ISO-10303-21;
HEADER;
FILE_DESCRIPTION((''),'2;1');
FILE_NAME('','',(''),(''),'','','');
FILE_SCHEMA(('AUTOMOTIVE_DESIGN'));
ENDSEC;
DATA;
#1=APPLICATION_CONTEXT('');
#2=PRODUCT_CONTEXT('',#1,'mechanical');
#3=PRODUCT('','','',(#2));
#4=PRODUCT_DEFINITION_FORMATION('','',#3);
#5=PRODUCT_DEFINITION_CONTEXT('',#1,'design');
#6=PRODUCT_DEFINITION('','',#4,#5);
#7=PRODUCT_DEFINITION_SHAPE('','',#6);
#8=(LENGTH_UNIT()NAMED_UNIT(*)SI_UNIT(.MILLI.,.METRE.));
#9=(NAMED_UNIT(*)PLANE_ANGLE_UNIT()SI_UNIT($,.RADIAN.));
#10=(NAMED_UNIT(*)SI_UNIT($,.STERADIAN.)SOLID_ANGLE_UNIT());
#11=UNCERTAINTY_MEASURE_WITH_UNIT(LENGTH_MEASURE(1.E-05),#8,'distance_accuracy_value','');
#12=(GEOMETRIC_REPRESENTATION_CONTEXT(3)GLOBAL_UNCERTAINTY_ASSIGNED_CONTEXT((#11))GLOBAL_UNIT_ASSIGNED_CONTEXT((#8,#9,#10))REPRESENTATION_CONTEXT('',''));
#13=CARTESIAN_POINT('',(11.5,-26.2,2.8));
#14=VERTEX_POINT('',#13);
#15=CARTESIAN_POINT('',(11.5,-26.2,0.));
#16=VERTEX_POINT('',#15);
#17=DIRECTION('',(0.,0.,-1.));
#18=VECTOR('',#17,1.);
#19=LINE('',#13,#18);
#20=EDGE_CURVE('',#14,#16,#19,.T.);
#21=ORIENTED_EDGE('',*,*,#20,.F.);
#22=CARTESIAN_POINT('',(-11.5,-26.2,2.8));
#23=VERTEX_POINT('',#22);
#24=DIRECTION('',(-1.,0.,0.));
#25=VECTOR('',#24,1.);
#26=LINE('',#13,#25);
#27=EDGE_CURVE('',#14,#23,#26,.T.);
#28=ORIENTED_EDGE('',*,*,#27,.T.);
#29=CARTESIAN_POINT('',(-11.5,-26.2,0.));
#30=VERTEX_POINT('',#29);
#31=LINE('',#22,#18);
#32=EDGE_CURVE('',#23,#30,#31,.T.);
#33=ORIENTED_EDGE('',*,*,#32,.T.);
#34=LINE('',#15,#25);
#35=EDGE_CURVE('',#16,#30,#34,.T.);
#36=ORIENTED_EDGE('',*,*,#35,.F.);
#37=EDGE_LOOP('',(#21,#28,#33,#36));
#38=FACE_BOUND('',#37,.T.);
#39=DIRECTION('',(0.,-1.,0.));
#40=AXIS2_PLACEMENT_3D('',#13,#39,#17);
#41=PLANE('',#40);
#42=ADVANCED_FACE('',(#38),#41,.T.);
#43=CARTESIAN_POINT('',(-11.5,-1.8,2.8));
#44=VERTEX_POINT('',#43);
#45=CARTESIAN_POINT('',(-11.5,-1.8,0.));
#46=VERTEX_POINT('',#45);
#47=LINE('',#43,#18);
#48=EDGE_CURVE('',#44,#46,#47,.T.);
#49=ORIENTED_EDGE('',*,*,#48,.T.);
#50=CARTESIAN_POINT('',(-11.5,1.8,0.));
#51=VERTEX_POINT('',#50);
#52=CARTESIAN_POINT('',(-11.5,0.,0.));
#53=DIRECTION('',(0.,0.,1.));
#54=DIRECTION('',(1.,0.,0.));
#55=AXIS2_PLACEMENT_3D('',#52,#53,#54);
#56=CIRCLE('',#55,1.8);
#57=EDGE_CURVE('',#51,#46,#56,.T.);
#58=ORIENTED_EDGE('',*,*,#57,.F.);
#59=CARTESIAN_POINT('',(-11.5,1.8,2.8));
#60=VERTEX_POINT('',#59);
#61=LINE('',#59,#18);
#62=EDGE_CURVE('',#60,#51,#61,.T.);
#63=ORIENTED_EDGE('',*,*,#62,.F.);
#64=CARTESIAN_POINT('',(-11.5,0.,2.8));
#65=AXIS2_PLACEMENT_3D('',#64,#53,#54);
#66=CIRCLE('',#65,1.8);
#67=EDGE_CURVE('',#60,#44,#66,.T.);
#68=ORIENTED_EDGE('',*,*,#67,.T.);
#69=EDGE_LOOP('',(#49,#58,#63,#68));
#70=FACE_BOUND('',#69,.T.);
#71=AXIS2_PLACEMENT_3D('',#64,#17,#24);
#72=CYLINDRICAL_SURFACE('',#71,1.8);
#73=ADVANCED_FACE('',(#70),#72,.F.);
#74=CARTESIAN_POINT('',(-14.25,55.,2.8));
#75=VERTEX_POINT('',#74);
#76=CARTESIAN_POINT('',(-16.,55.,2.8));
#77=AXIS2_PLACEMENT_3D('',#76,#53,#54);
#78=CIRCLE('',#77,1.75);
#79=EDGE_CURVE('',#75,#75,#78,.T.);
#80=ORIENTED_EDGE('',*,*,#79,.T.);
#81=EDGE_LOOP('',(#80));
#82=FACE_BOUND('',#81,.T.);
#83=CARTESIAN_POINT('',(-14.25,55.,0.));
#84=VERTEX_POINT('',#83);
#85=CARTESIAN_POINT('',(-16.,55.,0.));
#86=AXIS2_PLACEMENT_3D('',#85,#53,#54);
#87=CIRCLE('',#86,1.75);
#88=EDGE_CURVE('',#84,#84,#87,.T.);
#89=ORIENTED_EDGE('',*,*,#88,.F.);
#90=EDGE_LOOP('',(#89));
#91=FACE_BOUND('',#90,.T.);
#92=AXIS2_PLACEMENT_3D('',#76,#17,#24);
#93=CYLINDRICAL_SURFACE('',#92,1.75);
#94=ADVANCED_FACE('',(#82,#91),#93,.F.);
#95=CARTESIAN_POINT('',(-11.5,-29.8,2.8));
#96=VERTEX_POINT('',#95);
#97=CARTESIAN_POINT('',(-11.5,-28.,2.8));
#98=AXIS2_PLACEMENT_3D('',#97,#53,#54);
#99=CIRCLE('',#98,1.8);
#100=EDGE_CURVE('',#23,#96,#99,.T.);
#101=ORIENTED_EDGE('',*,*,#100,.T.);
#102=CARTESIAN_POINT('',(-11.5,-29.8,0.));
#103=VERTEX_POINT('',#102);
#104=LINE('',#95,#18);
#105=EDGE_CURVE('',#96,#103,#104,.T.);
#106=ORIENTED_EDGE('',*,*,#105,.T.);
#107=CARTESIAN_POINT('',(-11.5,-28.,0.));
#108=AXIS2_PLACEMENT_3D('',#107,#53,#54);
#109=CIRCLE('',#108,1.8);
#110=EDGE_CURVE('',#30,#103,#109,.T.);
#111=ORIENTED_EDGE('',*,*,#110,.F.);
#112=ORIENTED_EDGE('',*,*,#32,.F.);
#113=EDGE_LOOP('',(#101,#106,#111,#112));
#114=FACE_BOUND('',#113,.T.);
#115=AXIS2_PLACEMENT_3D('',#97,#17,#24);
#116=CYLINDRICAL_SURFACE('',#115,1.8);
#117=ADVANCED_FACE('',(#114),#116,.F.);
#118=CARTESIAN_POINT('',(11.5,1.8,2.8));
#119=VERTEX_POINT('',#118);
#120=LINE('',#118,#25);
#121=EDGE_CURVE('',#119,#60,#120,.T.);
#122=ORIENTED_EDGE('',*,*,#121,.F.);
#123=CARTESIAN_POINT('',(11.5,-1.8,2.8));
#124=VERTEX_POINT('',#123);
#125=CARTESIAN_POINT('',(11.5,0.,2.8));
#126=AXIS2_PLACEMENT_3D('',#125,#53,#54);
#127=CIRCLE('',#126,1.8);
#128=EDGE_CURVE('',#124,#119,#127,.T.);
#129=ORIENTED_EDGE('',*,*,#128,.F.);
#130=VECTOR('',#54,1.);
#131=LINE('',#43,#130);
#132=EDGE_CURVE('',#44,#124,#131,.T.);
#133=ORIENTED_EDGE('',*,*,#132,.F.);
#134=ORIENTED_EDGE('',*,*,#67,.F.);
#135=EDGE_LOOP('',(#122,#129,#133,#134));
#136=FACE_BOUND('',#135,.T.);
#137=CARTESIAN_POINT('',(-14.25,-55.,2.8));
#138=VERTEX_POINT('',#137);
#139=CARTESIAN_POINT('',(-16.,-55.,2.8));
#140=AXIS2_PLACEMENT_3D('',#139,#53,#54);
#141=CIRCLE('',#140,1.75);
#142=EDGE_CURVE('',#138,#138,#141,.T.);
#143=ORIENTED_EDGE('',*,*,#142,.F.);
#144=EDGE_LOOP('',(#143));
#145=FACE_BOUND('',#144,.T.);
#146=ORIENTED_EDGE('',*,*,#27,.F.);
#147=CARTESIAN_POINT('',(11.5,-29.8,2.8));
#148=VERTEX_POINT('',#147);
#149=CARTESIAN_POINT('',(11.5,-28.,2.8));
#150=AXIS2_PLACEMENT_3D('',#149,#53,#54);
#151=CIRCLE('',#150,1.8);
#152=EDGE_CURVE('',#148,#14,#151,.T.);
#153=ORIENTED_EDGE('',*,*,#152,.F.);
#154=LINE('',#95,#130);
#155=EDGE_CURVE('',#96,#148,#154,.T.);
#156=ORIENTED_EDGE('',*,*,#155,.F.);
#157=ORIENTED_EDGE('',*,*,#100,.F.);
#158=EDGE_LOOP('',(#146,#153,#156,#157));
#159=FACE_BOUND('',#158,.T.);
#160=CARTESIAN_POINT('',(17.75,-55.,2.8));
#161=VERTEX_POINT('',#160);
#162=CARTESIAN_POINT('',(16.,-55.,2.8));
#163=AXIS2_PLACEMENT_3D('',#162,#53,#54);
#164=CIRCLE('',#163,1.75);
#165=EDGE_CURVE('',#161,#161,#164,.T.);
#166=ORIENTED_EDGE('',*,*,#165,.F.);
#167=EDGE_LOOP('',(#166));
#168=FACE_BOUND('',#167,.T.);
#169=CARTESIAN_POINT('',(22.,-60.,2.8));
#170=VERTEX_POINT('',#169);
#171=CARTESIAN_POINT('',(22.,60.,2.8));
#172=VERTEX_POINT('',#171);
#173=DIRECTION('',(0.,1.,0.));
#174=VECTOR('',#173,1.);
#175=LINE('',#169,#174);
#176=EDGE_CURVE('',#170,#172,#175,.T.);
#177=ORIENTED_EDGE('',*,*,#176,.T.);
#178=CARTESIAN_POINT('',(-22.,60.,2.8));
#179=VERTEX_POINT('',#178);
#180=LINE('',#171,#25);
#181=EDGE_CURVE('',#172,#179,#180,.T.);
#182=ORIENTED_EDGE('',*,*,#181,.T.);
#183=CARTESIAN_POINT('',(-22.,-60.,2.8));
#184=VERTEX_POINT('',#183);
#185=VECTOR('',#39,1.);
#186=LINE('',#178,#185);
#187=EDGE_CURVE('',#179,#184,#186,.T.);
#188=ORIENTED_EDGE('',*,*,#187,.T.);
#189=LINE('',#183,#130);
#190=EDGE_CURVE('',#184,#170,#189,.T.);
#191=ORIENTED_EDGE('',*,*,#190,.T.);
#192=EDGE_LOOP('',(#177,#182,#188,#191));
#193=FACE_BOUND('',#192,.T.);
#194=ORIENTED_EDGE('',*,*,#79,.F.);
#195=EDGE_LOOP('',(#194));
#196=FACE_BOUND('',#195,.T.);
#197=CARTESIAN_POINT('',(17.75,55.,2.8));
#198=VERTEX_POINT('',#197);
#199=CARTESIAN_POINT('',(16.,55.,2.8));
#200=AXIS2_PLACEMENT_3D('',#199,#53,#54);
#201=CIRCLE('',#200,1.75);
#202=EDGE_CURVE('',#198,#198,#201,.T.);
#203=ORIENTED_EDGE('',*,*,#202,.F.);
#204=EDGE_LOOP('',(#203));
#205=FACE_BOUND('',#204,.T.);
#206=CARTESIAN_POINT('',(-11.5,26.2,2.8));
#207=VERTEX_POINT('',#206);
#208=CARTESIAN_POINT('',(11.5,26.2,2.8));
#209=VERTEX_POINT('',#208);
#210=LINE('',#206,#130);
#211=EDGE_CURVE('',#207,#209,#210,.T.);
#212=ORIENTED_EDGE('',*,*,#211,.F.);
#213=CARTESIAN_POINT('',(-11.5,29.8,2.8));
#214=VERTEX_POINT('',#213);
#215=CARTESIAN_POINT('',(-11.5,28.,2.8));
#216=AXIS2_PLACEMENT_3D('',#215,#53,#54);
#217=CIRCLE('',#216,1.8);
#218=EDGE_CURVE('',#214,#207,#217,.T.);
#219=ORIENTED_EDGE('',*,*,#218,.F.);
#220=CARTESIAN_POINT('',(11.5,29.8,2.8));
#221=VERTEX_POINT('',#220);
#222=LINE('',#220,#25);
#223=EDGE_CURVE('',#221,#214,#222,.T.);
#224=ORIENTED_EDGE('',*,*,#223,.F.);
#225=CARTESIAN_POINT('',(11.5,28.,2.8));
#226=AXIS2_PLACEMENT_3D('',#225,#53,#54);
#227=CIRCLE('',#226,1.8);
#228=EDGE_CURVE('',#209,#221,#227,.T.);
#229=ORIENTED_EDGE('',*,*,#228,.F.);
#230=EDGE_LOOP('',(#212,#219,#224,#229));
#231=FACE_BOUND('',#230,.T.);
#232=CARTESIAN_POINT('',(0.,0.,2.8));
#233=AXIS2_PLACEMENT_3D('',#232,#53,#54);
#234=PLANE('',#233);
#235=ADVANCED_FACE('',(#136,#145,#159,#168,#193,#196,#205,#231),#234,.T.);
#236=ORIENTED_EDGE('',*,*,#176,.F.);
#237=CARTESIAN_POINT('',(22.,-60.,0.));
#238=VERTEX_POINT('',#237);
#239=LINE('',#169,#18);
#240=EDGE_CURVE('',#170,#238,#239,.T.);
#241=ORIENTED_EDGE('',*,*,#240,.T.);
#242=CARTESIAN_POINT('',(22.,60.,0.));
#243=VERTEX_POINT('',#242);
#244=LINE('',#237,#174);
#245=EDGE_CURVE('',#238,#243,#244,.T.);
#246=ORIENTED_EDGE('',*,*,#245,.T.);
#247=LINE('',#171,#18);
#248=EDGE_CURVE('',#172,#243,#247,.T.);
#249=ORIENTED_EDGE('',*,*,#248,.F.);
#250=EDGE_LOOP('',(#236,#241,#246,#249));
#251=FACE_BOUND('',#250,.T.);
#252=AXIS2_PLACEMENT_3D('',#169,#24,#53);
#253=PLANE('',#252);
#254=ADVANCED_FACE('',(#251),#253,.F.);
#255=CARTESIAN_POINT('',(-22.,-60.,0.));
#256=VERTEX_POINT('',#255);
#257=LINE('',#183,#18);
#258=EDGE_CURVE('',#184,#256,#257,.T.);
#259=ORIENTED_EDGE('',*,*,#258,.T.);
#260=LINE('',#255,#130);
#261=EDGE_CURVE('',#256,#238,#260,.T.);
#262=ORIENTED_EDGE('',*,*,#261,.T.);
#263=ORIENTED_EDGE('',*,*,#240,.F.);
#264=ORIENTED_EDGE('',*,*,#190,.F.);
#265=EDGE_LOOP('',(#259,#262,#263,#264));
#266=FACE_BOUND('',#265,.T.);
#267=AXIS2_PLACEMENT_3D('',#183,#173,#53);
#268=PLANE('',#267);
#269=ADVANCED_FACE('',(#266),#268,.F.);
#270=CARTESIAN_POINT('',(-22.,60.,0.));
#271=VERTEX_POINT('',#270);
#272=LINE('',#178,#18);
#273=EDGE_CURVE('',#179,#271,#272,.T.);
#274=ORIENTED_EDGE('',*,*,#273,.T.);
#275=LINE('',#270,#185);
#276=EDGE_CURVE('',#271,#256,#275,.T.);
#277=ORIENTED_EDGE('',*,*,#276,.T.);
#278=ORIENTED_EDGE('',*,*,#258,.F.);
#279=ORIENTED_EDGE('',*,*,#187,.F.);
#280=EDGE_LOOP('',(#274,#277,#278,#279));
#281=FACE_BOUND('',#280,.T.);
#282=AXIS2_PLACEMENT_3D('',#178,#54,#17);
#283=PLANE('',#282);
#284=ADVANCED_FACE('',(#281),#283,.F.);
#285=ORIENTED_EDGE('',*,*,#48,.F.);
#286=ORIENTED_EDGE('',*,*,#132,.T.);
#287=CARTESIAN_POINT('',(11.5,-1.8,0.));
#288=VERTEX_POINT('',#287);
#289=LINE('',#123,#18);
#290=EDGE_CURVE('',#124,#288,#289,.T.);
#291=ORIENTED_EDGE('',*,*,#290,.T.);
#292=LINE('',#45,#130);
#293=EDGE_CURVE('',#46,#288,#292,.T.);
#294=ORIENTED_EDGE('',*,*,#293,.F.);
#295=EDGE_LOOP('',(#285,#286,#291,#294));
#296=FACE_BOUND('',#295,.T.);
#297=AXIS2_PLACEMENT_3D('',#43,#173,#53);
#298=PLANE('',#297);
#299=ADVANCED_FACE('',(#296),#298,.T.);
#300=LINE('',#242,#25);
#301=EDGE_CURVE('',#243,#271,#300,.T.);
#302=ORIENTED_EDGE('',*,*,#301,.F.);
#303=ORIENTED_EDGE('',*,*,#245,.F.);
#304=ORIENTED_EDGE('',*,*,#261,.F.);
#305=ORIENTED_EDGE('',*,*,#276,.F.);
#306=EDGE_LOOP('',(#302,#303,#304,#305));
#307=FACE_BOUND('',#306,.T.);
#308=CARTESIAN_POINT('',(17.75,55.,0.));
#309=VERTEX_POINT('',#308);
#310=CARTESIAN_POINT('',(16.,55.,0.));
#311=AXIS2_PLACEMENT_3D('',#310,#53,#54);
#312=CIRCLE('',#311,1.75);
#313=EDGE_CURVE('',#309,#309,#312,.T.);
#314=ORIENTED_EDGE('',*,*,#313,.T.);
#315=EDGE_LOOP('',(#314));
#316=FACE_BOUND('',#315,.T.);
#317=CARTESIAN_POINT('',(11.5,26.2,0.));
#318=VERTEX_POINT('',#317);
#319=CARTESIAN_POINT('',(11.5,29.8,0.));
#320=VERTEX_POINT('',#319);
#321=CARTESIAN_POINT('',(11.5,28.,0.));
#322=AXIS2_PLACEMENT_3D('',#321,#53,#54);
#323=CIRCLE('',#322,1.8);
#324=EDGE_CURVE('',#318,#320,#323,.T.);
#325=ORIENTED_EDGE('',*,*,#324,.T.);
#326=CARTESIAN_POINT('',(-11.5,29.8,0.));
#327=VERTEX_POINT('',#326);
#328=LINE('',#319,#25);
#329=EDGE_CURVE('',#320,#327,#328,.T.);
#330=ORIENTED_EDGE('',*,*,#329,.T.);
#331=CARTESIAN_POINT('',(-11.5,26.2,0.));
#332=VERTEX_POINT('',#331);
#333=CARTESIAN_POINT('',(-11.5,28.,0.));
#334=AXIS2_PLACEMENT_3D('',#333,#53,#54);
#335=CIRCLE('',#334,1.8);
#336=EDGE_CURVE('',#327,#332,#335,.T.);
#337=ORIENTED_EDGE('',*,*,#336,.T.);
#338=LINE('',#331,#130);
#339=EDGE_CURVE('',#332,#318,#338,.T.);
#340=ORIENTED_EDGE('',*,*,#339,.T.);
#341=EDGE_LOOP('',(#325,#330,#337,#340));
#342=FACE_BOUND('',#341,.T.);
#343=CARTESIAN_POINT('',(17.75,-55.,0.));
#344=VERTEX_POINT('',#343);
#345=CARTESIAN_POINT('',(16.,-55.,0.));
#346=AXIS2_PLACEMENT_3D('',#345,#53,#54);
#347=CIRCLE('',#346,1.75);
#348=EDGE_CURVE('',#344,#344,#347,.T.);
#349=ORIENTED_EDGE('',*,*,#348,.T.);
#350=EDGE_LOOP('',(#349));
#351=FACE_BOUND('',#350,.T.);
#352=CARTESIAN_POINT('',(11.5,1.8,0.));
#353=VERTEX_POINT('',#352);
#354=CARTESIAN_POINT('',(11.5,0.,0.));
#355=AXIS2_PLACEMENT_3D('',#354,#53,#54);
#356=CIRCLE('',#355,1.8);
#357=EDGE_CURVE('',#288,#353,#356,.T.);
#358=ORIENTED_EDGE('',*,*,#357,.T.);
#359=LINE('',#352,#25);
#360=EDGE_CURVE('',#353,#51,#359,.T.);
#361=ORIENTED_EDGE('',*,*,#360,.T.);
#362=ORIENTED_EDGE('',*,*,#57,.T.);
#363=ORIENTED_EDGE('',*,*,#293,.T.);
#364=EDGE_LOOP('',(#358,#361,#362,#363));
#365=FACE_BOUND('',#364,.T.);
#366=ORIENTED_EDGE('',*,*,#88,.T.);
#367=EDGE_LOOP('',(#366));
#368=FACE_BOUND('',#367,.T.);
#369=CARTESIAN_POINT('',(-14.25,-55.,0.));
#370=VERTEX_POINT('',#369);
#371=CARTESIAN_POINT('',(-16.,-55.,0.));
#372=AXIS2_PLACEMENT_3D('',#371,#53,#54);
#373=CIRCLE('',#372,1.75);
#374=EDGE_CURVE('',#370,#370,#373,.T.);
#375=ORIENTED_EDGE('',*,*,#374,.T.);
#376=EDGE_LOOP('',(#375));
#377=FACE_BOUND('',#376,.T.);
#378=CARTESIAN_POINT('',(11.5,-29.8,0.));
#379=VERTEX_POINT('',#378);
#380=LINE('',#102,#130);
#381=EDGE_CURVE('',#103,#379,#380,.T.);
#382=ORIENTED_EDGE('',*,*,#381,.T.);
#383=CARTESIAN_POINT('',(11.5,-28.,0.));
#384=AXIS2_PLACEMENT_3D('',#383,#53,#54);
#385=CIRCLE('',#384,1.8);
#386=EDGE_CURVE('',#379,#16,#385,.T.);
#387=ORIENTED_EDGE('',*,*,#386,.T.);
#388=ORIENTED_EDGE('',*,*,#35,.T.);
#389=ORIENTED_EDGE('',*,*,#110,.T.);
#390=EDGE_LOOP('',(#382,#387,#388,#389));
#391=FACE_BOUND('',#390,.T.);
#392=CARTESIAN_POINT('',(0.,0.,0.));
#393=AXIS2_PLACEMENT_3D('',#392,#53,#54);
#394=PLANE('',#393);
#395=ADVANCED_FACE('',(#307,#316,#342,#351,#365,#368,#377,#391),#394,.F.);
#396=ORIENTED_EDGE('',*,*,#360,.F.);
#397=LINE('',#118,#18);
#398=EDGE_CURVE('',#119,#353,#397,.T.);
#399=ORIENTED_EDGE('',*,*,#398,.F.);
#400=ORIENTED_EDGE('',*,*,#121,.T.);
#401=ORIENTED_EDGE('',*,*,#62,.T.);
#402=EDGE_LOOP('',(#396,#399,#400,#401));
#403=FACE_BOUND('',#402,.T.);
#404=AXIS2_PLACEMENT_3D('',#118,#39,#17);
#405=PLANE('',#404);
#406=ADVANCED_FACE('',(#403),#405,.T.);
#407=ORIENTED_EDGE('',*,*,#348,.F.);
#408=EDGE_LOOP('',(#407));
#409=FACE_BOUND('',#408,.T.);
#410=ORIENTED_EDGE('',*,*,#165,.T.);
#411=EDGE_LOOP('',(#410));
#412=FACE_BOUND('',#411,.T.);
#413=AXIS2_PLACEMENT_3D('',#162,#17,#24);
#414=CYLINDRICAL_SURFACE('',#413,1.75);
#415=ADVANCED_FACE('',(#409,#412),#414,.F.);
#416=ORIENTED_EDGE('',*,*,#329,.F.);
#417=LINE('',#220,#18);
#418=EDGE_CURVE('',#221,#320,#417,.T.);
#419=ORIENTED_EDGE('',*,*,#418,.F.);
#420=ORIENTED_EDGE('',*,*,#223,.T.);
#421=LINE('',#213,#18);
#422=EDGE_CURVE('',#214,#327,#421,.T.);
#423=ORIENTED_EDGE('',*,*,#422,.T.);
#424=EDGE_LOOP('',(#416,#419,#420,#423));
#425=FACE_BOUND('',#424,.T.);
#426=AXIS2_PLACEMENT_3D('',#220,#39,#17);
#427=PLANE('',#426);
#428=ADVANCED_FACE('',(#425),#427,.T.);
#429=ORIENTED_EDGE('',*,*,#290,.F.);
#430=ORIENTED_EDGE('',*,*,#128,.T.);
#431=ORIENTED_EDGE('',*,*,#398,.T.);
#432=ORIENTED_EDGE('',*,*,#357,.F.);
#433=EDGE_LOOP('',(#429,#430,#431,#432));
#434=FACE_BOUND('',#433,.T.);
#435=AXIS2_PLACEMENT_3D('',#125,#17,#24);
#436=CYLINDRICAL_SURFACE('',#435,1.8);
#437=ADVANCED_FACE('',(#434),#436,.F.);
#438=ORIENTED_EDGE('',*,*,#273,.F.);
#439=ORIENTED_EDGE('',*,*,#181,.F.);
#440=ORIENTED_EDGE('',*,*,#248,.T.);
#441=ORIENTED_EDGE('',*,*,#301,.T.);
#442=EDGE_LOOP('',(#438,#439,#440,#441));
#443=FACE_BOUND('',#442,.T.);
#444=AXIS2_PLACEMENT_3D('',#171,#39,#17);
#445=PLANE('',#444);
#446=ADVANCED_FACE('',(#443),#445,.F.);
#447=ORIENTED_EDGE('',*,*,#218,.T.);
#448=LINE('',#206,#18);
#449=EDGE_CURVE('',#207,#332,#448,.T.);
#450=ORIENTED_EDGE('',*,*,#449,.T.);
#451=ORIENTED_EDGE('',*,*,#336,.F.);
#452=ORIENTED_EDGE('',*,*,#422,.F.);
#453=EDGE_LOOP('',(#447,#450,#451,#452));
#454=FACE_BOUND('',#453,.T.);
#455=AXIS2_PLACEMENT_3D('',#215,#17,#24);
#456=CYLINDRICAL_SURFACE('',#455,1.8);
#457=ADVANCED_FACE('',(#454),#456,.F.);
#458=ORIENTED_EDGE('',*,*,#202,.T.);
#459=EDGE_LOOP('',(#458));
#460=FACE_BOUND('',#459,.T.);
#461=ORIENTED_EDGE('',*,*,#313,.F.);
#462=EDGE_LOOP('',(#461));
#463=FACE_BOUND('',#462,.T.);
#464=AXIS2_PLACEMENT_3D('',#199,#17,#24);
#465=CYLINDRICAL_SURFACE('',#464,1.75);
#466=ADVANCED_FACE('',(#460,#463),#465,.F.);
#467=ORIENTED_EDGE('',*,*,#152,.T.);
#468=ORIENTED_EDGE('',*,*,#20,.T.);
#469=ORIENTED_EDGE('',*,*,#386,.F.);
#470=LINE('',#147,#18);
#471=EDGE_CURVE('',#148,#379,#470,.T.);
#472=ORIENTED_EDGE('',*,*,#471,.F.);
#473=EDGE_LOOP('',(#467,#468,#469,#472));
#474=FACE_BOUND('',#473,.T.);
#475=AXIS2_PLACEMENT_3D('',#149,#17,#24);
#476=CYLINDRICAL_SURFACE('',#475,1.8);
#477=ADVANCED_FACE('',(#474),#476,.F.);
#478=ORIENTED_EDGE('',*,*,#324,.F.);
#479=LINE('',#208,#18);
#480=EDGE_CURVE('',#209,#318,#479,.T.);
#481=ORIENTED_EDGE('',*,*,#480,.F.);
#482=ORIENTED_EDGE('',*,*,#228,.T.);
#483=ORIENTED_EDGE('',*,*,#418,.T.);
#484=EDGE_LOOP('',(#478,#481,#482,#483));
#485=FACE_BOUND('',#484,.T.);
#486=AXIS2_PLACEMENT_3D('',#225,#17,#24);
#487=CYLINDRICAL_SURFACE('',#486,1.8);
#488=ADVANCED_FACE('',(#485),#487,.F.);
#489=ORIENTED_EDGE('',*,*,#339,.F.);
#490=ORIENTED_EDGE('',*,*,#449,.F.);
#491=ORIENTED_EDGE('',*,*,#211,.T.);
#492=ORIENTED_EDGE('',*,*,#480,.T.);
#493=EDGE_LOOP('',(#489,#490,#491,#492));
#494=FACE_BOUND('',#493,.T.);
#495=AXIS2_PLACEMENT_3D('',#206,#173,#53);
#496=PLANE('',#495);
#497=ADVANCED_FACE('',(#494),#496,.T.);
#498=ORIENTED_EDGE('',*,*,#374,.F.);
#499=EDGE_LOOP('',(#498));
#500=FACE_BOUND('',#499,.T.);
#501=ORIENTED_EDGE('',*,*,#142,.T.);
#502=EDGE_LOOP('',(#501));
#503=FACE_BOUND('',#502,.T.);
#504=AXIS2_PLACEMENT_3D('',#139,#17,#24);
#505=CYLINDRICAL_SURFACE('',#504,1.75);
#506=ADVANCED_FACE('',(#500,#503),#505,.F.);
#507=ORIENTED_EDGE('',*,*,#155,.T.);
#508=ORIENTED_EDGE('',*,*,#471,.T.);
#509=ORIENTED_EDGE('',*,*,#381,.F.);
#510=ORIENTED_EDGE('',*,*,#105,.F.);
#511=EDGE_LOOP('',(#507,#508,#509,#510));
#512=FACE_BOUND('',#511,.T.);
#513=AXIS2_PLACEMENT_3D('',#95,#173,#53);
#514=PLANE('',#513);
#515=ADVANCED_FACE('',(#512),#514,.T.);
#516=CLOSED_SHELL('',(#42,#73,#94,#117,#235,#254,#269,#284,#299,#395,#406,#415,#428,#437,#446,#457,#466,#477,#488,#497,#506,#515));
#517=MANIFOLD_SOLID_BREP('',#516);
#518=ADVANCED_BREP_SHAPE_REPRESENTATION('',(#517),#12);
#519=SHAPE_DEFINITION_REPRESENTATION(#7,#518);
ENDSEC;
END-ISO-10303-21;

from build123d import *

# Parameters (mm, degrees)
PACK_ACCESS_WITH_STRAP_VENTILATION_PROFI_W = 44
PACK_ACCESS_WITH_STRAP_VENTILATION_PROFI_H = 120
PACK_ACCESS_WITH_STRAP_VENTILATION_PROFI_R = 1.75
PACK_ACCESS_WITH_STRAP_VENTILATION_DEPTH   = 2.8


with BuildPart() as part:
    # Pack access with strap ventilation profile → Pack access with strap ventilation (new body)
    with BuildSketch(Plane.XY):
        Rectangle(PACK_ACCESS_WITH_STRAP_VENTILATION_PROFI_W, PACK_ACCESS_WITH_STRAP_VENTILATION_PROFI_H)
        with Locations((-16, -55)):
            Circle(PACK_ACCESS_WITH_STRAP_VENTILATION_PROFI_R, mode=Mode.SUBTRACT)
        with Locations((-16, 55)):
            Circle(PACK_ACCESS_WITH_STRAP_VENTILATION_PROFI_R, mode=Mode.SUBTRACT)
        with Locations((16, -55)):
            Circle(PACK_ACCESS_WITH_STRAP_VENTILATION_PROFI_R, mode=Mode.SUBTRACT)
        with Locations((16, 55)):
            Circle(PACK_ACCESS_WITH_STRAP_VENTILATION_PROFI_R, mode=Mode.SUBTRACT)
        with BuildLine():
            Line((-11.5, -29.8), (11.5, -29.8))
            ThreePointArc((11.5, -29.8), (13.3, -28), (11.5, -26.2))
            Line((11.5, -26.2), (-11.5, -26.2))
            ThreePointArc((-11.5, -26.2), (-13.3, -28), (-11.5, -29.8))
        make_face(mode=Mode.SUBTRACT)
        with BuildLine():
            Line((-11.5, -1.8), (11.5, -1.8))
            ThreePointArc((11.5, -1.8), (13.3, 0), (11.5, 1.8))
            Line((11.5, 1.8), (-11.5, 1.8))
            ThreePointArc((-11.5, 1.8), (-13.3, 0), (-11.5, -1.8))
        make_face(mode=Mode.SUBTRACT)
        with BuildLine():
            Line((-11.5, 26.2), (11.5, 26.2))
            ThreePointArc((11.5, 26.2), (13.3, 28), (11.5, 29.8))
            Line((11.5, 29.8), (-11.5, 29.8))
            ThreePointArc((-11.5, 29.8), (-13.3, 28), (-11.5, 26.2))
        make_face(mode=Mode.SUBTRACT)
    extrude(amount=PACK_ACCESS_WITH_STRAP_VENTILATION_DEPTH)


solid = part.part
